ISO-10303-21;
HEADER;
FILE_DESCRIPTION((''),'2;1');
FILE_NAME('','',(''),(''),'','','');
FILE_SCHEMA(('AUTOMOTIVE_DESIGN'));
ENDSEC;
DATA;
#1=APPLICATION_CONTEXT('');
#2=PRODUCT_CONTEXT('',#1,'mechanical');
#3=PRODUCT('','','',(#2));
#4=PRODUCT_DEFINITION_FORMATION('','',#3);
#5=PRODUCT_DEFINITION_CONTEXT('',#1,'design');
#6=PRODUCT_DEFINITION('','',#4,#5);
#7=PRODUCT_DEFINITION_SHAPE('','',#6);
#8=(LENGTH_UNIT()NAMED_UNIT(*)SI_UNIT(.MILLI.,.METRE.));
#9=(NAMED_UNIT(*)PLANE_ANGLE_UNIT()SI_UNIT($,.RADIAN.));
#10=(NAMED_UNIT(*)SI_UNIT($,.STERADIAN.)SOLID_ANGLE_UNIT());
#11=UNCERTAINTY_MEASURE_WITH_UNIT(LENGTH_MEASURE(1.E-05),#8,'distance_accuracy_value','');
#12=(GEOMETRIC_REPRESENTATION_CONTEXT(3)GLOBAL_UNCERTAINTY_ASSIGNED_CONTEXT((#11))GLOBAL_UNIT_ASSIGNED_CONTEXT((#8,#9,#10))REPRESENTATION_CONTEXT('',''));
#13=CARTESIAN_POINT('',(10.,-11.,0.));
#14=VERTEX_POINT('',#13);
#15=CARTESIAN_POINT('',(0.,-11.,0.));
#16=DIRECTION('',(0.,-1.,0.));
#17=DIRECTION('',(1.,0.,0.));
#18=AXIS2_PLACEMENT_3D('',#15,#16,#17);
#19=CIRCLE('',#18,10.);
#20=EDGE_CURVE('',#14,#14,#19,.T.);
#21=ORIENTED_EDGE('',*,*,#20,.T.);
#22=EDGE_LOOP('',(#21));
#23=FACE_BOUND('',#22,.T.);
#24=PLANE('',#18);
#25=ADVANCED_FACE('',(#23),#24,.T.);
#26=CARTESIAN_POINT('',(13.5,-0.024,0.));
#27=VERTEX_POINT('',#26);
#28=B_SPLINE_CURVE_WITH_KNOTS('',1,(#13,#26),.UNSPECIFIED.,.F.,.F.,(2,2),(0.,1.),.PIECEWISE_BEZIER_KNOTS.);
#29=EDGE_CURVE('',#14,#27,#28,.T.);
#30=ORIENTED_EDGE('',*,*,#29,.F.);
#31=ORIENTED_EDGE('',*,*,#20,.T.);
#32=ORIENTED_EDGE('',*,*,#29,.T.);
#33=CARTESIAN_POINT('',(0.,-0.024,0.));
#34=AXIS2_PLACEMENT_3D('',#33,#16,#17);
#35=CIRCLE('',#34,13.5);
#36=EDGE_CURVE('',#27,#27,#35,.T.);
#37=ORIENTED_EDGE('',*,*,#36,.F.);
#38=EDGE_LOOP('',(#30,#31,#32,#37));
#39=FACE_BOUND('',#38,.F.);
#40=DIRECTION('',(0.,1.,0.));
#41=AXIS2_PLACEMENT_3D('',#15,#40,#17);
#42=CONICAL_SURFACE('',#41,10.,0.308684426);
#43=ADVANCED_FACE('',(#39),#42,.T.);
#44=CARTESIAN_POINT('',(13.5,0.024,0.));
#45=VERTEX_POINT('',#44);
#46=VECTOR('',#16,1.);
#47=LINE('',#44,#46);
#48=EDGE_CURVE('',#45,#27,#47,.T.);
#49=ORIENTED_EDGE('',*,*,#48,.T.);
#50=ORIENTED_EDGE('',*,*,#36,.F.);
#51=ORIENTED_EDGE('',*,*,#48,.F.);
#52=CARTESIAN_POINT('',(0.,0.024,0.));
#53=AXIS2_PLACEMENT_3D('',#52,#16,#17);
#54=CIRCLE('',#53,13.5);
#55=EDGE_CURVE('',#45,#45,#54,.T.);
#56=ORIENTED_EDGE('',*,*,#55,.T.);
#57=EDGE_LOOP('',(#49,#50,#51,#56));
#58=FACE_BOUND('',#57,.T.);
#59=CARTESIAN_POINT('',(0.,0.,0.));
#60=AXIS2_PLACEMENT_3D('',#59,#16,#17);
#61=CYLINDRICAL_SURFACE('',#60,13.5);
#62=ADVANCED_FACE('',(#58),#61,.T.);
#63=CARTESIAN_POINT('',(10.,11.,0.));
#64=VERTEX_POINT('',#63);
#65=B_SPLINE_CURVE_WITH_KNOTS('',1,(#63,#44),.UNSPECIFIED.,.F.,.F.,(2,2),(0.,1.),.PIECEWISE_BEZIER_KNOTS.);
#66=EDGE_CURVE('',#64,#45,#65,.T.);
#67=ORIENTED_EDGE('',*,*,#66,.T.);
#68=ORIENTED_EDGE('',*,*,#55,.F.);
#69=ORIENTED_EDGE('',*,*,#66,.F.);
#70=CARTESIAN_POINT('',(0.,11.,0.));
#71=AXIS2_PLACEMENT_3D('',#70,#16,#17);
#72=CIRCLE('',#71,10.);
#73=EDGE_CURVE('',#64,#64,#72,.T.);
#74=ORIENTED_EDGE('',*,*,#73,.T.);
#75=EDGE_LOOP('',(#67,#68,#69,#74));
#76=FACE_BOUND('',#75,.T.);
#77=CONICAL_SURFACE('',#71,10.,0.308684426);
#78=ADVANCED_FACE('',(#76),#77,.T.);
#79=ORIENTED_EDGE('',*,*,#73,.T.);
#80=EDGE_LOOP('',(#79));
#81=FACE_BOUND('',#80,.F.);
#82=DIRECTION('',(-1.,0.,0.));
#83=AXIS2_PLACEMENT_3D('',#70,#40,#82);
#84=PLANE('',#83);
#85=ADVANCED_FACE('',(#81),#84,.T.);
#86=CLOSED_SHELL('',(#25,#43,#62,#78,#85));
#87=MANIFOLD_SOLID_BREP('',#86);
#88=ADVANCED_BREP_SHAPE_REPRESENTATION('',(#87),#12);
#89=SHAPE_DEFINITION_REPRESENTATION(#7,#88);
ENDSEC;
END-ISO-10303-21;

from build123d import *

# Parameters (mm, degrees)
F0_R      = 13.5
F1_DEPTH  = 0.024
F3_R      = 10
F1_FACE_R = 13.5


with BuildPart() as f1:
    # F0 (on Front) → F1 (new body)
    with BuildSketch(Plane.XZ):
        Circle(F0_R)
    extrude(amount=F1_DEPTH)

    # F3 (on offset) → F4 section 0
    with BuildSketch(Plane.XZ.offset(11)):
        Circle(F3_R)
    # F1_face (on face) → F4 section 1
    with BuildSketch(Plane.XZ.offset(0.024)):
        Circle(F1_FACE_R)
    loft()

    # F5: F1 across plane


with BuildPart() as f1_1:
    add(f1.part)
    add(f1.part.mirror(Plane.XZ))


solid = f1_1.part
